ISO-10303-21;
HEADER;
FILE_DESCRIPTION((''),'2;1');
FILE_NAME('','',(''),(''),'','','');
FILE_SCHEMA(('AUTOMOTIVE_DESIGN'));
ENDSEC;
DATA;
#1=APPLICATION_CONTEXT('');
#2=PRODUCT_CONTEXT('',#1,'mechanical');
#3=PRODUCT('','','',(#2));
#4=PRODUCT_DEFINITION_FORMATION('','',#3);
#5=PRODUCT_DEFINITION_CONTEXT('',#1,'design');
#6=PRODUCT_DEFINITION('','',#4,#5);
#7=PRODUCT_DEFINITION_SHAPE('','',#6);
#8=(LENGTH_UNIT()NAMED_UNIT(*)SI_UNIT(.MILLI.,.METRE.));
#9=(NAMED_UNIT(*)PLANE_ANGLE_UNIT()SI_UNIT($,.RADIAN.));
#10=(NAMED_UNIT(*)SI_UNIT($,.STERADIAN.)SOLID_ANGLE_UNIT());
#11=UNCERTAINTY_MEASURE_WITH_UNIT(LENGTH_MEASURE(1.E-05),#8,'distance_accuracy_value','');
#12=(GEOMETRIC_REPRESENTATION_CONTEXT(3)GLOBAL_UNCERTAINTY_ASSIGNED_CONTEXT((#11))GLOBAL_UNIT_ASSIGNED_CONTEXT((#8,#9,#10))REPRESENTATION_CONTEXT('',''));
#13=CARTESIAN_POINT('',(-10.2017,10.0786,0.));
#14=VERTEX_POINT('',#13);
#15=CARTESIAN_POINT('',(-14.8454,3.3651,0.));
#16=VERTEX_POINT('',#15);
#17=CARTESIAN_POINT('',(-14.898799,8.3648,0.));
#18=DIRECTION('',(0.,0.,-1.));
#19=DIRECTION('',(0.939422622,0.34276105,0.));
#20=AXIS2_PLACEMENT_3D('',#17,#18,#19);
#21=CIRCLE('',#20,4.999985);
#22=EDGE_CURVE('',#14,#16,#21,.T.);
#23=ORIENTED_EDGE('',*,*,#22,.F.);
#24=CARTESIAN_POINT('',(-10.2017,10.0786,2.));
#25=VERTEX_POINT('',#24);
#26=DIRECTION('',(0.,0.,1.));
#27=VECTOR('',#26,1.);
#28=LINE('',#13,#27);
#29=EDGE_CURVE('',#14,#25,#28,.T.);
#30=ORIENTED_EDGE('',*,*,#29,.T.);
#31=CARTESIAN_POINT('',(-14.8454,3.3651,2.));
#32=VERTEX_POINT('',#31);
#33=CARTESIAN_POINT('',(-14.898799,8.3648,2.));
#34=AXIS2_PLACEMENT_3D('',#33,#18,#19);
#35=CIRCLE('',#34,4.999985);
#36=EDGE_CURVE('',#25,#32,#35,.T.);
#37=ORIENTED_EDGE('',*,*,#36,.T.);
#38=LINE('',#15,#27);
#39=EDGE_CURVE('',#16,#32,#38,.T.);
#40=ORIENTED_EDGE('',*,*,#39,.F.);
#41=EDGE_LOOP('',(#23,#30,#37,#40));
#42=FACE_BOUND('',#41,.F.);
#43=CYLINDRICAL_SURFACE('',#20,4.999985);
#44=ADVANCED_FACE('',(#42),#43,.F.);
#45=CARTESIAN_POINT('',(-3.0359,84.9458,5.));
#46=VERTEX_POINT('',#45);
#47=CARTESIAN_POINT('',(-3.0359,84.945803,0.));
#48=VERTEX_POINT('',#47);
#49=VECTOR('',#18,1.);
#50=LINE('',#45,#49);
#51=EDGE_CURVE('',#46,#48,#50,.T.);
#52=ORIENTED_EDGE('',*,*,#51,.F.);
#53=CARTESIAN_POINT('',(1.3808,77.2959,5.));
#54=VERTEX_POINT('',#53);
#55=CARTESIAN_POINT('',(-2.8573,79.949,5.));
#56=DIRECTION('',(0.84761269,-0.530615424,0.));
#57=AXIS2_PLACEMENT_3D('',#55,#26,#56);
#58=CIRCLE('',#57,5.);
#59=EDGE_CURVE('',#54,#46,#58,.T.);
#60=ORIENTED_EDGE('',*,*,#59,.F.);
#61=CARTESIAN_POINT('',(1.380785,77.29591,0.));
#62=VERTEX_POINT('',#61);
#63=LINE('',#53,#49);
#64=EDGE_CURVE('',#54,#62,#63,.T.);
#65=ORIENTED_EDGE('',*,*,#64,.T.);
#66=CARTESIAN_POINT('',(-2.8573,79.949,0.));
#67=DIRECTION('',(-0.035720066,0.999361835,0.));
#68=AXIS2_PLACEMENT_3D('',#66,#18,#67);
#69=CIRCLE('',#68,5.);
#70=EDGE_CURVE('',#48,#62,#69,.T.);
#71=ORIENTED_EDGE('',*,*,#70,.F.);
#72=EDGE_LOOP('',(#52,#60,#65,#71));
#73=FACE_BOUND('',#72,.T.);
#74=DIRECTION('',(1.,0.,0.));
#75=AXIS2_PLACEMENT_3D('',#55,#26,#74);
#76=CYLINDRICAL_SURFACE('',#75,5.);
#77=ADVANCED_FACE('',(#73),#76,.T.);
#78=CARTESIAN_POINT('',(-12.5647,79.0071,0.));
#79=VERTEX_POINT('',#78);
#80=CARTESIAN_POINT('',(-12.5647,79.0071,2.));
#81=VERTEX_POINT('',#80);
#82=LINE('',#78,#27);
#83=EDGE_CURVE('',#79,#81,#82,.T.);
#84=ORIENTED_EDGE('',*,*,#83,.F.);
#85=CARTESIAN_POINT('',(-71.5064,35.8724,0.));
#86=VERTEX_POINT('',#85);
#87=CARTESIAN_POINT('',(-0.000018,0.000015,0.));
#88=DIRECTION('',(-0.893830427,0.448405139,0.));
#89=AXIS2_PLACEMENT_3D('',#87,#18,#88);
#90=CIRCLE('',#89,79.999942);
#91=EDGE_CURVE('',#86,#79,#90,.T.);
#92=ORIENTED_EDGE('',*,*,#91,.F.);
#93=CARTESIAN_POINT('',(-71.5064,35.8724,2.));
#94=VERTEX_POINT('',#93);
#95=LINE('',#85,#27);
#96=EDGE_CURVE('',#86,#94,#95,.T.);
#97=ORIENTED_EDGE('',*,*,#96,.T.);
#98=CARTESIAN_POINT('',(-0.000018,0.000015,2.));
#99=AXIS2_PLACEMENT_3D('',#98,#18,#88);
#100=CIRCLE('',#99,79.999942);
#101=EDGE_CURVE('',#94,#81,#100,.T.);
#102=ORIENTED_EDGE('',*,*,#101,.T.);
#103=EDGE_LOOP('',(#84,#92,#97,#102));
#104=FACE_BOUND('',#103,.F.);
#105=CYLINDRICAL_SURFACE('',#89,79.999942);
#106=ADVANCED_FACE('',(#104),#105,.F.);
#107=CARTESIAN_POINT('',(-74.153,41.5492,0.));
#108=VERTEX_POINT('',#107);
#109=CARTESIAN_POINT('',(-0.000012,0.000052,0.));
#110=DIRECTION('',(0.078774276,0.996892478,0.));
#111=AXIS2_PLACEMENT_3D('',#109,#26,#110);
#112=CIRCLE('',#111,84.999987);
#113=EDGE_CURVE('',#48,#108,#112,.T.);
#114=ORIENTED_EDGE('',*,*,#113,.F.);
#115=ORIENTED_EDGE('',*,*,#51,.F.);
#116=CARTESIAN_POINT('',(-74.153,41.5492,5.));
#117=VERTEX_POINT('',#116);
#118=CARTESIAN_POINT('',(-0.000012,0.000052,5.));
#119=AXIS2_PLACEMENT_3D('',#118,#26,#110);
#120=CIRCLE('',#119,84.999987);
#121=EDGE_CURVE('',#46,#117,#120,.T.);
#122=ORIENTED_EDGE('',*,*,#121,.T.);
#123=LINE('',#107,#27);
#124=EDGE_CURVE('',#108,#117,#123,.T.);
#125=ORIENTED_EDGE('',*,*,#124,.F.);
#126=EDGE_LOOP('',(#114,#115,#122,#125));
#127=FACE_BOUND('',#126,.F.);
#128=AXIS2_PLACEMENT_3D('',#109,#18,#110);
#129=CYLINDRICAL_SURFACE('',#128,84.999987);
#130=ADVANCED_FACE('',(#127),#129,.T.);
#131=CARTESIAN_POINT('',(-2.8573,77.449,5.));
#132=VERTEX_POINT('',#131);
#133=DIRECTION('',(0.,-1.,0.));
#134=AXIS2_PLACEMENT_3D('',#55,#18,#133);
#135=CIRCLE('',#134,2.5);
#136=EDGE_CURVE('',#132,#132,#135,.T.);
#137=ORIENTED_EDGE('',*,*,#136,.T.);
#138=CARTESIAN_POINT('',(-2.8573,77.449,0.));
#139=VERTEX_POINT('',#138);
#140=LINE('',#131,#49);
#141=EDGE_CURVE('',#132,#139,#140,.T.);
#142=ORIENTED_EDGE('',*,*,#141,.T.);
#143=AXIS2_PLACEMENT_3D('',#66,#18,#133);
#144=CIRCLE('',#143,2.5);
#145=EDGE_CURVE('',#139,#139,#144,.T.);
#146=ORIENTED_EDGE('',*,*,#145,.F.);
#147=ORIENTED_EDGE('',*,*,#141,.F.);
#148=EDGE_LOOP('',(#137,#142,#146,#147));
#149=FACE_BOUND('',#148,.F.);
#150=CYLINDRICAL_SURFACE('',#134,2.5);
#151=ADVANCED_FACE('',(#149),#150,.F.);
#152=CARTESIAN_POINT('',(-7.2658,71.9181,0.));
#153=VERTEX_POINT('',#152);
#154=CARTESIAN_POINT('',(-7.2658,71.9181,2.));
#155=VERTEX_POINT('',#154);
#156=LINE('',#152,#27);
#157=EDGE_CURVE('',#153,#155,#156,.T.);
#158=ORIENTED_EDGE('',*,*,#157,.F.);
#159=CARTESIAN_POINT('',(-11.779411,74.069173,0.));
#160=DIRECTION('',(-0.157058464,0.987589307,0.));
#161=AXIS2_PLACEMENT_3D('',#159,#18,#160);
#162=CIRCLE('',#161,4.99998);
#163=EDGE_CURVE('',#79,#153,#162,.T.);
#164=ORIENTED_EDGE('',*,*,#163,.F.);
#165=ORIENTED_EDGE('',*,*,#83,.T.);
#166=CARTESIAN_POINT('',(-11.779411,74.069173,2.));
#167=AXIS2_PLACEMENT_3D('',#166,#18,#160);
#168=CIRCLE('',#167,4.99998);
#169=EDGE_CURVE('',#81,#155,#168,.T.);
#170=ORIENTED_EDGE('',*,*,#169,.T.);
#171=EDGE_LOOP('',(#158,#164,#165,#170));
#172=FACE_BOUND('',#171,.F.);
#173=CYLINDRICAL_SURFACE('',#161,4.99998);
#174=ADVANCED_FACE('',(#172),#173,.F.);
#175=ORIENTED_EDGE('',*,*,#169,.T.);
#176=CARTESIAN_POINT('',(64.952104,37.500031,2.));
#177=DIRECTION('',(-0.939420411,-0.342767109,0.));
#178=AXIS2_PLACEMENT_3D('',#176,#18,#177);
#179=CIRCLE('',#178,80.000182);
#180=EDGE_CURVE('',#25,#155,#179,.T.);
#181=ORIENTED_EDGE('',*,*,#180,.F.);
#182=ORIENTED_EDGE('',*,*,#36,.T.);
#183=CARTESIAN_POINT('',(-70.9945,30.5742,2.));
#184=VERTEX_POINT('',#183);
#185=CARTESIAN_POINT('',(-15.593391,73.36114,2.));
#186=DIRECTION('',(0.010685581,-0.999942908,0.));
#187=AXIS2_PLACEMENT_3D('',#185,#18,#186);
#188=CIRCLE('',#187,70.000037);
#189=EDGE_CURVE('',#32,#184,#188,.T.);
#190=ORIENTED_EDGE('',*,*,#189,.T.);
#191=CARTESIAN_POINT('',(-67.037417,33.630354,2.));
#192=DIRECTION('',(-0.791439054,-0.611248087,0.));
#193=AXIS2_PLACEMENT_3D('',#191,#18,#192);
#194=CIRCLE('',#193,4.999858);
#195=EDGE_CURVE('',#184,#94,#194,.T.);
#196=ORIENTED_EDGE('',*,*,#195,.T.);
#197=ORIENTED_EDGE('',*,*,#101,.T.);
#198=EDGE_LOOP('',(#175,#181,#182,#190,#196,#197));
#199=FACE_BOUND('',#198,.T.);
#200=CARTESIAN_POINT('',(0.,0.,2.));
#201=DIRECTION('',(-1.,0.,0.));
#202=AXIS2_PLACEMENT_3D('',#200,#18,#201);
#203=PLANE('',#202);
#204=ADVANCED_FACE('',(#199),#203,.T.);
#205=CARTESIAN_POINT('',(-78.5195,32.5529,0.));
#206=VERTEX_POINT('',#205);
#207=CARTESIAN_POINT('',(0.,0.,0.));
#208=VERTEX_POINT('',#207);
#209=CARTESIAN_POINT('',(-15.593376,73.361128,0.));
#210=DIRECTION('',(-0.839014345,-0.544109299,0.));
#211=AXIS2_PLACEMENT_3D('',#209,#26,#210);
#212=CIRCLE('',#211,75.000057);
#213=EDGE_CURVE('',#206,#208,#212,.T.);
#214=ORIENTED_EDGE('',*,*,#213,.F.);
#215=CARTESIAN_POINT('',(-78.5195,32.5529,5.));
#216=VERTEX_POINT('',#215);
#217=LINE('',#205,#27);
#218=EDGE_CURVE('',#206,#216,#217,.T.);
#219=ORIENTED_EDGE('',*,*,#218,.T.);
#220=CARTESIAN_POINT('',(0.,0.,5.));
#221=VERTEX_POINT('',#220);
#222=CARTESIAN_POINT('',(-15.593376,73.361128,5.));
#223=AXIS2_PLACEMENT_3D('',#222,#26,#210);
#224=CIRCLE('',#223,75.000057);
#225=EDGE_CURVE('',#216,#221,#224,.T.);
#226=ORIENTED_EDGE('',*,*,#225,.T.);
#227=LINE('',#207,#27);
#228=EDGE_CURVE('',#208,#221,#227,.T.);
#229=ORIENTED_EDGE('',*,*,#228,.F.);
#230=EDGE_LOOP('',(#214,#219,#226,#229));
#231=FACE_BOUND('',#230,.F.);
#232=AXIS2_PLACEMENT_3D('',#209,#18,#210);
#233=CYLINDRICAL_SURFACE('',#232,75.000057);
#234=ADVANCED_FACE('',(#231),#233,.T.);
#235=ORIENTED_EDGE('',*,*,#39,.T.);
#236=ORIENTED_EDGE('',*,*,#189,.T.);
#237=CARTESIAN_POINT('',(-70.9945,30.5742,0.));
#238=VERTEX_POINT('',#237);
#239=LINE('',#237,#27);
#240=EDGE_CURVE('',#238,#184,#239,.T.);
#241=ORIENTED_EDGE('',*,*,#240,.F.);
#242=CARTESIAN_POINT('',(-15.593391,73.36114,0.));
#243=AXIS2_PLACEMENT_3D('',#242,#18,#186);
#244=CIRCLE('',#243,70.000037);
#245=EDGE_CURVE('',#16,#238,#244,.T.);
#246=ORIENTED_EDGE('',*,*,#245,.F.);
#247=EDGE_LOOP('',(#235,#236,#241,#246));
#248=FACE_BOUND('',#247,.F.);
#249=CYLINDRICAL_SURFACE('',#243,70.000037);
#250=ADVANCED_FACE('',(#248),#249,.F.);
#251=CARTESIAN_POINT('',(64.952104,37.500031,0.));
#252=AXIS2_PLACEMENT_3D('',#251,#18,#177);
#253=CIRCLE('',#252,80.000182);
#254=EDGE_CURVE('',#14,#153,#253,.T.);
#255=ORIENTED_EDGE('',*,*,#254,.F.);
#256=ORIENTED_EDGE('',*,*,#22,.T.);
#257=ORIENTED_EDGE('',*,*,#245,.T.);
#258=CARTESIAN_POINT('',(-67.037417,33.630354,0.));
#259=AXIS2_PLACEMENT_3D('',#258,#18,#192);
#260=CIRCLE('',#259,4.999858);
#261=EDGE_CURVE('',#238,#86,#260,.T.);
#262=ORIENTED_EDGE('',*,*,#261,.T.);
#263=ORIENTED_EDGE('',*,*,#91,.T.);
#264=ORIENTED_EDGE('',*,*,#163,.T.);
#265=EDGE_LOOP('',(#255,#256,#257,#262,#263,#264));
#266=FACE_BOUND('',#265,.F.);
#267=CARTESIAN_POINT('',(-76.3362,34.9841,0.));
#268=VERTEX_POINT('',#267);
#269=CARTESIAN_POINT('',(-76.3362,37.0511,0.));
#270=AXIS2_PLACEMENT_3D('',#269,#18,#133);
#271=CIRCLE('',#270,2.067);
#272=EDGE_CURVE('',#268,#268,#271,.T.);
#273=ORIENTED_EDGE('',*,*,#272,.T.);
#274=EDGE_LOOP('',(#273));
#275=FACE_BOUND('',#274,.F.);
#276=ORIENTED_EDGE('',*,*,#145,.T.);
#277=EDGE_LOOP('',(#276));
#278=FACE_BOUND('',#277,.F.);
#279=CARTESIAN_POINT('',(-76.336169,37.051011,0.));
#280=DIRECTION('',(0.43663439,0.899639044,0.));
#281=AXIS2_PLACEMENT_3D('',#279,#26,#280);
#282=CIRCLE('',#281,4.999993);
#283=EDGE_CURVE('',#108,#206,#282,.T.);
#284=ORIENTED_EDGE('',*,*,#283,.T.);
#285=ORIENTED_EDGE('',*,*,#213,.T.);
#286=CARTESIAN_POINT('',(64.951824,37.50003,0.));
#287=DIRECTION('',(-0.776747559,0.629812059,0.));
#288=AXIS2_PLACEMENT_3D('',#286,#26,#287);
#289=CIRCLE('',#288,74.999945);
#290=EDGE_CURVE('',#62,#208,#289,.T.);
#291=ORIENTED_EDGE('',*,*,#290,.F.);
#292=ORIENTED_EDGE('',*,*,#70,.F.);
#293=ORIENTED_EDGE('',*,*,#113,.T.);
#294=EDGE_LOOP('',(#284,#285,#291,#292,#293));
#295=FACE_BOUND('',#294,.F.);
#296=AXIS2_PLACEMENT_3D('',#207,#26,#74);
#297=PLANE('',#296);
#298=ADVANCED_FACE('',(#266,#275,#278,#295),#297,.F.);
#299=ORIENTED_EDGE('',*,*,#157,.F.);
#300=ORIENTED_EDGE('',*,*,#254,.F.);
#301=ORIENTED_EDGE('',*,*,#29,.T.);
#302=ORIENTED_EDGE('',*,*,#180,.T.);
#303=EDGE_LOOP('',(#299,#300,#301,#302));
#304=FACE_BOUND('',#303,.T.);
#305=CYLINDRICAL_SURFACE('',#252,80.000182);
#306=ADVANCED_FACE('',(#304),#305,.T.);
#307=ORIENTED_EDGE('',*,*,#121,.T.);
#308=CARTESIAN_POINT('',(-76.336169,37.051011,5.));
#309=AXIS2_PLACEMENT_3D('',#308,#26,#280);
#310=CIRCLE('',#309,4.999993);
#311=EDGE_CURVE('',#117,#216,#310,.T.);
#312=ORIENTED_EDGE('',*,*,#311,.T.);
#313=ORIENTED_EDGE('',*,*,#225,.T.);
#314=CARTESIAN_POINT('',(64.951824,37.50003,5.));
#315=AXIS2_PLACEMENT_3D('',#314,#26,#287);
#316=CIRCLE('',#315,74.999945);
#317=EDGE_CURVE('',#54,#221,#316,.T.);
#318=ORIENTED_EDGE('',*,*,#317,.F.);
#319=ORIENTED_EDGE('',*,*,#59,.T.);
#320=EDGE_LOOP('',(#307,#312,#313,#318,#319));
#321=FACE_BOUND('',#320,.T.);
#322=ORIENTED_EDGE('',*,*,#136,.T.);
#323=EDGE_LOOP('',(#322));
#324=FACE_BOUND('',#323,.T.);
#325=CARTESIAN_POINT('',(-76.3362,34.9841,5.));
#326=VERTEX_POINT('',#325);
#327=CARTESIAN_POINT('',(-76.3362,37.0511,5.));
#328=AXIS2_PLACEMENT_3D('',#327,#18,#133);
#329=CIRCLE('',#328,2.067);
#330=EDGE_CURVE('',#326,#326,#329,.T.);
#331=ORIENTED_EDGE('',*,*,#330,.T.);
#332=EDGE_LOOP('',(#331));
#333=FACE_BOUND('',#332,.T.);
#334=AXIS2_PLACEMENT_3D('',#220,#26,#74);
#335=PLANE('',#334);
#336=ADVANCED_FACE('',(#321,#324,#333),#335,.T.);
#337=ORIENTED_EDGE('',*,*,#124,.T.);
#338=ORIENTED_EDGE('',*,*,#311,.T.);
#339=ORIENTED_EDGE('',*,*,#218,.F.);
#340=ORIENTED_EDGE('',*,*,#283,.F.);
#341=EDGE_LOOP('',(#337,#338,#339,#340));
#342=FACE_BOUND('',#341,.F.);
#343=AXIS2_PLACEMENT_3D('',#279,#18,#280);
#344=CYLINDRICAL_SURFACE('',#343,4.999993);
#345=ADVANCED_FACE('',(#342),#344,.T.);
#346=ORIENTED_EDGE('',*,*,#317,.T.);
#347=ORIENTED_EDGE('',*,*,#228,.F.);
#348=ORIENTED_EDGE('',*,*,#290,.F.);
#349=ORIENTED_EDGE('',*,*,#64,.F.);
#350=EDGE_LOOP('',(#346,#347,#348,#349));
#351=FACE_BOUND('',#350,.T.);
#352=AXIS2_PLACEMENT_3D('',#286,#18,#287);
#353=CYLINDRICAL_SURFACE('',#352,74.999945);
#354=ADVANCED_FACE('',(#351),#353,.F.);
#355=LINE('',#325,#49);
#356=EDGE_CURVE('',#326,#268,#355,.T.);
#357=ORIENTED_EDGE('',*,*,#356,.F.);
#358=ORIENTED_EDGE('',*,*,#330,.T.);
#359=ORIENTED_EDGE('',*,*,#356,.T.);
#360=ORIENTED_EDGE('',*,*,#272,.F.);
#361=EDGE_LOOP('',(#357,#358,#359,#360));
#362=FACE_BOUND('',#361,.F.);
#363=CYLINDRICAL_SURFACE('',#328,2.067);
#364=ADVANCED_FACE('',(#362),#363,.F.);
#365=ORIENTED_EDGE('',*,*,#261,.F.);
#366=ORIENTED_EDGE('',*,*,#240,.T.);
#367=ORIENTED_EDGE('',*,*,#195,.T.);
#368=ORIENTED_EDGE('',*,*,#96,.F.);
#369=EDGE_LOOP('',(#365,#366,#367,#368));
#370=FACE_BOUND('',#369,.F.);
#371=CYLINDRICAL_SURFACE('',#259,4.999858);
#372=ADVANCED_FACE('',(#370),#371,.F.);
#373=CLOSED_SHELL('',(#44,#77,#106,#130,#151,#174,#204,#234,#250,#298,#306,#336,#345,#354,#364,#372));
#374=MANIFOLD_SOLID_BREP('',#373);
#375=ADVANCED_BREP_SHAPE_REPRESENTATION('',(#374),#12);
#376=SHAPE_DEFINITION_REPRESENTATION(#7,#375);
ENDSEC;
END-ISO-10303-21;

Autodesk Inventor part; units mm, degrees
ref_plane "YZ Plane" through (0, 0, 0) normal (1, 0, 0) x (0, 1, 0)
ref_plane "XZ Plane" through (0, 0, 0) normal (0, 1, 0) x (-1, 0, 0)
ref_plane "XY Plane" through (0, 0, 0) normal (0, 0, 1) x (1, 0, 0)
sketch "Sketch1" plane through (0, 0, 0) normal (0, 0, 1) x (1, 0, 0)
  circle A0 centre (0, 0) radius 75 construction
  arc A1 (-78.5195, 32.5529) -> (0, 0) centre (-15.5934, 73.3611) ccw
  line L0 (-15.5934, 73.3611) -> (-78.5195, 32.5529) construction
  line L1 (-15.5934, 73.3611) -> (0, 0) construction
  line L2 (0, 0) -> (64.9519, 37.5) construction
  arc A2 (6.6958, 84.7359) -> (0, 0) centre (64.9519, 37.5) ccw
  line L3 (64.9519, 37.5) -> (6.6958, 84.7359) construction
  line L4 (64.9519, 37.5) -> (0, 0) construction
  line L5 (0, 0) -> (0, 75) construction
  circle A3 centre (0, 0) radius 85 construction
  arc A4 (6.6958, 84.7359) -> (-78.5195, 32.5529) centre (0, 0) ccw
  arc A5 (-74.153, 41.5492) -> (-78.5195, 32.5529) centre (-76.3362, 37.0511) ccw
  line L6 (-76.3362, 37.0511) -> (-78.5195, 32.5529) construction
  line L7 (-76.3362, 37.0511) -> (-74.153, 41.5492) construction
  point P0 (0, 0)
  dimension "d1" = 72
  dimension "d4" = 60
  dimension "d21" = 170
  dimension "d39" = 5
  dimension "d40" = 180
extrude "Extrusion1" add sketch "Sketch1" along normal blind 5
sketch "Sketch3" plane through (0, 0, 5) normal (0, 0, 1) x (1, 0, 0)
  circle A0 centre (0, 0) radius 80 construction
  circle A1 centre (64.9519, 37.5) radius 75 projected
  circle A2 centre (64.9519, 37.5) radius 80 construction
  point P0 (0, 0)
  point P1 (-2.8573, 79.949)
  dimension "d25" = 160
  dimension "d26" = 160
hole "Hole2" at (-2.8573, 79.949, 5) direction (0, 0, -1) diameter 5 end through all
sketch "Sketch4" plane through (0, 0, 5) normal (0, 0, 1) x (1, 0, 0)
  circle A0 centre (-2.8573, 79.949) radius 2.5 projected
  arc A1 (-78.5195, 32.5529) -> (0, 0) centre (-15.5934, 73.3611) ccw projected
  arc A2 (6.6958, 84.7359) -> (1.3808, 77.2959) centre (64.9519, 37.5) ccw
  arc A3 (6.6958, 84.7359) -> (-3.0359, 84.9458) centre (0, 0) ccw
  arc A4 (6.6958, 84.7359) -> (0, 0) centre (64.9519, 37.5) ccw projected
  arc A5 (6.6958, 84.7359) -> (-78.5195, 32.5529) centre (0, 0) ccw projected
  circle A6 centre (-2.8573, 79.949) radius 5
extrude "Extrusion2" cut sketch "Sketch4" against normal blind 10 contours A3 A2 A6
sketch "Sketch5" plane through (0, 0, 5) normal (0, 0, 1) x (1, 0, 0)
  arc A0 (1.3808, 77.2959) -> (-3.0359, 84.9458) centre (-2.8573, 79.949) ccw projected
  arc A1 (-3.0359, 84.9458) -> (-74.153, 41.5492) centre (0, 0) ccw projected
  arc A2 (-74.153, 41.5492) -> (-78.5195, 32.5529) centre (-76.3362, 37.0511) ccw projected
  arc A3 (-78.5195, 32.5529) -> (0, 0) centre (-15.5934, 73.3611) ccw projected
  arc A4 (1.3808, 77.2959) -> (0, 0) centre (64.9519, 37.5) ccw projected
  circle A5 centre (-2.8573, 79.949) radius 2.5 projected
  point P0 (0, 0)
hole "Hole3" at (-76.3362, 37.0511, 5) direction (0, 0, -1) diameter 4.134 end through all thread size "M5x0.8" class "6H" standard "ANSI Metric M Profile"
sketch "Sketch7" plane through (0, 0, 0) normal (0, 0, -1) x (-1, 0, 0)
  circle A0 centre (76.3362, 37.0511) radius 2.067 projected
  arc A1 (3.0359, 84.9458) -> (-1.3808, 77.2959) centre (2.8573, 79.949) ccw projected
  arc A2 (0, 0) -> (-1.3808, 77.2959) centre (-64.9519, 37.5) ccw projected
  arc A3 (0, 0) -> (78.5195, 32.5529) centre (15.5934, 73.3611) ccw projected
  arc A4 (78.5195, 32.5529) -> (74.153, 41.5492) centre (76.3362, 37.0511) ccw projected
  arc A5 (74.153, 41.5492) -> (3.0359, 84.9458) centre (0, 0) ccw projected
  circle A6 centre (2.8573, 79.949) radius 2.5 projected
  arc A7 (71.5064, 35.8724) -> (12.5647, 79.0071) centre (0, 0) ccw
  arc A8 (14.8454, 3.3651) -> (70.9945, 30.5742) centre (15.5934, 73.3611) ccw
  arc A9 (10.2017, 10.0786) -> (7.2658, 71.9181) centre (-64.9519, 37.5) ccw
  arc A10 (10.2017, 10.0786) -> (14.8454, 3.3651) centre (14.8988, 8.3648) ccw
  arc A11 (12.5647, 79.0071) -> (7.2658, 71.9181) centre (11.7794, 74.0692) ccw
  arc A12 (70.9945, 30.5742) -> (71.5064, 35.8724) centre (67.0373, 33.6304) ccw
  point P0 (0, 0)
  dimension "d51" = 5
  dimension "d55" = 5
extrude "Extrusion4" cut sketch "Sketch7" against normal blind 2 contours A12 A8 A10 A9 A11 A7
properties part number "blad"
